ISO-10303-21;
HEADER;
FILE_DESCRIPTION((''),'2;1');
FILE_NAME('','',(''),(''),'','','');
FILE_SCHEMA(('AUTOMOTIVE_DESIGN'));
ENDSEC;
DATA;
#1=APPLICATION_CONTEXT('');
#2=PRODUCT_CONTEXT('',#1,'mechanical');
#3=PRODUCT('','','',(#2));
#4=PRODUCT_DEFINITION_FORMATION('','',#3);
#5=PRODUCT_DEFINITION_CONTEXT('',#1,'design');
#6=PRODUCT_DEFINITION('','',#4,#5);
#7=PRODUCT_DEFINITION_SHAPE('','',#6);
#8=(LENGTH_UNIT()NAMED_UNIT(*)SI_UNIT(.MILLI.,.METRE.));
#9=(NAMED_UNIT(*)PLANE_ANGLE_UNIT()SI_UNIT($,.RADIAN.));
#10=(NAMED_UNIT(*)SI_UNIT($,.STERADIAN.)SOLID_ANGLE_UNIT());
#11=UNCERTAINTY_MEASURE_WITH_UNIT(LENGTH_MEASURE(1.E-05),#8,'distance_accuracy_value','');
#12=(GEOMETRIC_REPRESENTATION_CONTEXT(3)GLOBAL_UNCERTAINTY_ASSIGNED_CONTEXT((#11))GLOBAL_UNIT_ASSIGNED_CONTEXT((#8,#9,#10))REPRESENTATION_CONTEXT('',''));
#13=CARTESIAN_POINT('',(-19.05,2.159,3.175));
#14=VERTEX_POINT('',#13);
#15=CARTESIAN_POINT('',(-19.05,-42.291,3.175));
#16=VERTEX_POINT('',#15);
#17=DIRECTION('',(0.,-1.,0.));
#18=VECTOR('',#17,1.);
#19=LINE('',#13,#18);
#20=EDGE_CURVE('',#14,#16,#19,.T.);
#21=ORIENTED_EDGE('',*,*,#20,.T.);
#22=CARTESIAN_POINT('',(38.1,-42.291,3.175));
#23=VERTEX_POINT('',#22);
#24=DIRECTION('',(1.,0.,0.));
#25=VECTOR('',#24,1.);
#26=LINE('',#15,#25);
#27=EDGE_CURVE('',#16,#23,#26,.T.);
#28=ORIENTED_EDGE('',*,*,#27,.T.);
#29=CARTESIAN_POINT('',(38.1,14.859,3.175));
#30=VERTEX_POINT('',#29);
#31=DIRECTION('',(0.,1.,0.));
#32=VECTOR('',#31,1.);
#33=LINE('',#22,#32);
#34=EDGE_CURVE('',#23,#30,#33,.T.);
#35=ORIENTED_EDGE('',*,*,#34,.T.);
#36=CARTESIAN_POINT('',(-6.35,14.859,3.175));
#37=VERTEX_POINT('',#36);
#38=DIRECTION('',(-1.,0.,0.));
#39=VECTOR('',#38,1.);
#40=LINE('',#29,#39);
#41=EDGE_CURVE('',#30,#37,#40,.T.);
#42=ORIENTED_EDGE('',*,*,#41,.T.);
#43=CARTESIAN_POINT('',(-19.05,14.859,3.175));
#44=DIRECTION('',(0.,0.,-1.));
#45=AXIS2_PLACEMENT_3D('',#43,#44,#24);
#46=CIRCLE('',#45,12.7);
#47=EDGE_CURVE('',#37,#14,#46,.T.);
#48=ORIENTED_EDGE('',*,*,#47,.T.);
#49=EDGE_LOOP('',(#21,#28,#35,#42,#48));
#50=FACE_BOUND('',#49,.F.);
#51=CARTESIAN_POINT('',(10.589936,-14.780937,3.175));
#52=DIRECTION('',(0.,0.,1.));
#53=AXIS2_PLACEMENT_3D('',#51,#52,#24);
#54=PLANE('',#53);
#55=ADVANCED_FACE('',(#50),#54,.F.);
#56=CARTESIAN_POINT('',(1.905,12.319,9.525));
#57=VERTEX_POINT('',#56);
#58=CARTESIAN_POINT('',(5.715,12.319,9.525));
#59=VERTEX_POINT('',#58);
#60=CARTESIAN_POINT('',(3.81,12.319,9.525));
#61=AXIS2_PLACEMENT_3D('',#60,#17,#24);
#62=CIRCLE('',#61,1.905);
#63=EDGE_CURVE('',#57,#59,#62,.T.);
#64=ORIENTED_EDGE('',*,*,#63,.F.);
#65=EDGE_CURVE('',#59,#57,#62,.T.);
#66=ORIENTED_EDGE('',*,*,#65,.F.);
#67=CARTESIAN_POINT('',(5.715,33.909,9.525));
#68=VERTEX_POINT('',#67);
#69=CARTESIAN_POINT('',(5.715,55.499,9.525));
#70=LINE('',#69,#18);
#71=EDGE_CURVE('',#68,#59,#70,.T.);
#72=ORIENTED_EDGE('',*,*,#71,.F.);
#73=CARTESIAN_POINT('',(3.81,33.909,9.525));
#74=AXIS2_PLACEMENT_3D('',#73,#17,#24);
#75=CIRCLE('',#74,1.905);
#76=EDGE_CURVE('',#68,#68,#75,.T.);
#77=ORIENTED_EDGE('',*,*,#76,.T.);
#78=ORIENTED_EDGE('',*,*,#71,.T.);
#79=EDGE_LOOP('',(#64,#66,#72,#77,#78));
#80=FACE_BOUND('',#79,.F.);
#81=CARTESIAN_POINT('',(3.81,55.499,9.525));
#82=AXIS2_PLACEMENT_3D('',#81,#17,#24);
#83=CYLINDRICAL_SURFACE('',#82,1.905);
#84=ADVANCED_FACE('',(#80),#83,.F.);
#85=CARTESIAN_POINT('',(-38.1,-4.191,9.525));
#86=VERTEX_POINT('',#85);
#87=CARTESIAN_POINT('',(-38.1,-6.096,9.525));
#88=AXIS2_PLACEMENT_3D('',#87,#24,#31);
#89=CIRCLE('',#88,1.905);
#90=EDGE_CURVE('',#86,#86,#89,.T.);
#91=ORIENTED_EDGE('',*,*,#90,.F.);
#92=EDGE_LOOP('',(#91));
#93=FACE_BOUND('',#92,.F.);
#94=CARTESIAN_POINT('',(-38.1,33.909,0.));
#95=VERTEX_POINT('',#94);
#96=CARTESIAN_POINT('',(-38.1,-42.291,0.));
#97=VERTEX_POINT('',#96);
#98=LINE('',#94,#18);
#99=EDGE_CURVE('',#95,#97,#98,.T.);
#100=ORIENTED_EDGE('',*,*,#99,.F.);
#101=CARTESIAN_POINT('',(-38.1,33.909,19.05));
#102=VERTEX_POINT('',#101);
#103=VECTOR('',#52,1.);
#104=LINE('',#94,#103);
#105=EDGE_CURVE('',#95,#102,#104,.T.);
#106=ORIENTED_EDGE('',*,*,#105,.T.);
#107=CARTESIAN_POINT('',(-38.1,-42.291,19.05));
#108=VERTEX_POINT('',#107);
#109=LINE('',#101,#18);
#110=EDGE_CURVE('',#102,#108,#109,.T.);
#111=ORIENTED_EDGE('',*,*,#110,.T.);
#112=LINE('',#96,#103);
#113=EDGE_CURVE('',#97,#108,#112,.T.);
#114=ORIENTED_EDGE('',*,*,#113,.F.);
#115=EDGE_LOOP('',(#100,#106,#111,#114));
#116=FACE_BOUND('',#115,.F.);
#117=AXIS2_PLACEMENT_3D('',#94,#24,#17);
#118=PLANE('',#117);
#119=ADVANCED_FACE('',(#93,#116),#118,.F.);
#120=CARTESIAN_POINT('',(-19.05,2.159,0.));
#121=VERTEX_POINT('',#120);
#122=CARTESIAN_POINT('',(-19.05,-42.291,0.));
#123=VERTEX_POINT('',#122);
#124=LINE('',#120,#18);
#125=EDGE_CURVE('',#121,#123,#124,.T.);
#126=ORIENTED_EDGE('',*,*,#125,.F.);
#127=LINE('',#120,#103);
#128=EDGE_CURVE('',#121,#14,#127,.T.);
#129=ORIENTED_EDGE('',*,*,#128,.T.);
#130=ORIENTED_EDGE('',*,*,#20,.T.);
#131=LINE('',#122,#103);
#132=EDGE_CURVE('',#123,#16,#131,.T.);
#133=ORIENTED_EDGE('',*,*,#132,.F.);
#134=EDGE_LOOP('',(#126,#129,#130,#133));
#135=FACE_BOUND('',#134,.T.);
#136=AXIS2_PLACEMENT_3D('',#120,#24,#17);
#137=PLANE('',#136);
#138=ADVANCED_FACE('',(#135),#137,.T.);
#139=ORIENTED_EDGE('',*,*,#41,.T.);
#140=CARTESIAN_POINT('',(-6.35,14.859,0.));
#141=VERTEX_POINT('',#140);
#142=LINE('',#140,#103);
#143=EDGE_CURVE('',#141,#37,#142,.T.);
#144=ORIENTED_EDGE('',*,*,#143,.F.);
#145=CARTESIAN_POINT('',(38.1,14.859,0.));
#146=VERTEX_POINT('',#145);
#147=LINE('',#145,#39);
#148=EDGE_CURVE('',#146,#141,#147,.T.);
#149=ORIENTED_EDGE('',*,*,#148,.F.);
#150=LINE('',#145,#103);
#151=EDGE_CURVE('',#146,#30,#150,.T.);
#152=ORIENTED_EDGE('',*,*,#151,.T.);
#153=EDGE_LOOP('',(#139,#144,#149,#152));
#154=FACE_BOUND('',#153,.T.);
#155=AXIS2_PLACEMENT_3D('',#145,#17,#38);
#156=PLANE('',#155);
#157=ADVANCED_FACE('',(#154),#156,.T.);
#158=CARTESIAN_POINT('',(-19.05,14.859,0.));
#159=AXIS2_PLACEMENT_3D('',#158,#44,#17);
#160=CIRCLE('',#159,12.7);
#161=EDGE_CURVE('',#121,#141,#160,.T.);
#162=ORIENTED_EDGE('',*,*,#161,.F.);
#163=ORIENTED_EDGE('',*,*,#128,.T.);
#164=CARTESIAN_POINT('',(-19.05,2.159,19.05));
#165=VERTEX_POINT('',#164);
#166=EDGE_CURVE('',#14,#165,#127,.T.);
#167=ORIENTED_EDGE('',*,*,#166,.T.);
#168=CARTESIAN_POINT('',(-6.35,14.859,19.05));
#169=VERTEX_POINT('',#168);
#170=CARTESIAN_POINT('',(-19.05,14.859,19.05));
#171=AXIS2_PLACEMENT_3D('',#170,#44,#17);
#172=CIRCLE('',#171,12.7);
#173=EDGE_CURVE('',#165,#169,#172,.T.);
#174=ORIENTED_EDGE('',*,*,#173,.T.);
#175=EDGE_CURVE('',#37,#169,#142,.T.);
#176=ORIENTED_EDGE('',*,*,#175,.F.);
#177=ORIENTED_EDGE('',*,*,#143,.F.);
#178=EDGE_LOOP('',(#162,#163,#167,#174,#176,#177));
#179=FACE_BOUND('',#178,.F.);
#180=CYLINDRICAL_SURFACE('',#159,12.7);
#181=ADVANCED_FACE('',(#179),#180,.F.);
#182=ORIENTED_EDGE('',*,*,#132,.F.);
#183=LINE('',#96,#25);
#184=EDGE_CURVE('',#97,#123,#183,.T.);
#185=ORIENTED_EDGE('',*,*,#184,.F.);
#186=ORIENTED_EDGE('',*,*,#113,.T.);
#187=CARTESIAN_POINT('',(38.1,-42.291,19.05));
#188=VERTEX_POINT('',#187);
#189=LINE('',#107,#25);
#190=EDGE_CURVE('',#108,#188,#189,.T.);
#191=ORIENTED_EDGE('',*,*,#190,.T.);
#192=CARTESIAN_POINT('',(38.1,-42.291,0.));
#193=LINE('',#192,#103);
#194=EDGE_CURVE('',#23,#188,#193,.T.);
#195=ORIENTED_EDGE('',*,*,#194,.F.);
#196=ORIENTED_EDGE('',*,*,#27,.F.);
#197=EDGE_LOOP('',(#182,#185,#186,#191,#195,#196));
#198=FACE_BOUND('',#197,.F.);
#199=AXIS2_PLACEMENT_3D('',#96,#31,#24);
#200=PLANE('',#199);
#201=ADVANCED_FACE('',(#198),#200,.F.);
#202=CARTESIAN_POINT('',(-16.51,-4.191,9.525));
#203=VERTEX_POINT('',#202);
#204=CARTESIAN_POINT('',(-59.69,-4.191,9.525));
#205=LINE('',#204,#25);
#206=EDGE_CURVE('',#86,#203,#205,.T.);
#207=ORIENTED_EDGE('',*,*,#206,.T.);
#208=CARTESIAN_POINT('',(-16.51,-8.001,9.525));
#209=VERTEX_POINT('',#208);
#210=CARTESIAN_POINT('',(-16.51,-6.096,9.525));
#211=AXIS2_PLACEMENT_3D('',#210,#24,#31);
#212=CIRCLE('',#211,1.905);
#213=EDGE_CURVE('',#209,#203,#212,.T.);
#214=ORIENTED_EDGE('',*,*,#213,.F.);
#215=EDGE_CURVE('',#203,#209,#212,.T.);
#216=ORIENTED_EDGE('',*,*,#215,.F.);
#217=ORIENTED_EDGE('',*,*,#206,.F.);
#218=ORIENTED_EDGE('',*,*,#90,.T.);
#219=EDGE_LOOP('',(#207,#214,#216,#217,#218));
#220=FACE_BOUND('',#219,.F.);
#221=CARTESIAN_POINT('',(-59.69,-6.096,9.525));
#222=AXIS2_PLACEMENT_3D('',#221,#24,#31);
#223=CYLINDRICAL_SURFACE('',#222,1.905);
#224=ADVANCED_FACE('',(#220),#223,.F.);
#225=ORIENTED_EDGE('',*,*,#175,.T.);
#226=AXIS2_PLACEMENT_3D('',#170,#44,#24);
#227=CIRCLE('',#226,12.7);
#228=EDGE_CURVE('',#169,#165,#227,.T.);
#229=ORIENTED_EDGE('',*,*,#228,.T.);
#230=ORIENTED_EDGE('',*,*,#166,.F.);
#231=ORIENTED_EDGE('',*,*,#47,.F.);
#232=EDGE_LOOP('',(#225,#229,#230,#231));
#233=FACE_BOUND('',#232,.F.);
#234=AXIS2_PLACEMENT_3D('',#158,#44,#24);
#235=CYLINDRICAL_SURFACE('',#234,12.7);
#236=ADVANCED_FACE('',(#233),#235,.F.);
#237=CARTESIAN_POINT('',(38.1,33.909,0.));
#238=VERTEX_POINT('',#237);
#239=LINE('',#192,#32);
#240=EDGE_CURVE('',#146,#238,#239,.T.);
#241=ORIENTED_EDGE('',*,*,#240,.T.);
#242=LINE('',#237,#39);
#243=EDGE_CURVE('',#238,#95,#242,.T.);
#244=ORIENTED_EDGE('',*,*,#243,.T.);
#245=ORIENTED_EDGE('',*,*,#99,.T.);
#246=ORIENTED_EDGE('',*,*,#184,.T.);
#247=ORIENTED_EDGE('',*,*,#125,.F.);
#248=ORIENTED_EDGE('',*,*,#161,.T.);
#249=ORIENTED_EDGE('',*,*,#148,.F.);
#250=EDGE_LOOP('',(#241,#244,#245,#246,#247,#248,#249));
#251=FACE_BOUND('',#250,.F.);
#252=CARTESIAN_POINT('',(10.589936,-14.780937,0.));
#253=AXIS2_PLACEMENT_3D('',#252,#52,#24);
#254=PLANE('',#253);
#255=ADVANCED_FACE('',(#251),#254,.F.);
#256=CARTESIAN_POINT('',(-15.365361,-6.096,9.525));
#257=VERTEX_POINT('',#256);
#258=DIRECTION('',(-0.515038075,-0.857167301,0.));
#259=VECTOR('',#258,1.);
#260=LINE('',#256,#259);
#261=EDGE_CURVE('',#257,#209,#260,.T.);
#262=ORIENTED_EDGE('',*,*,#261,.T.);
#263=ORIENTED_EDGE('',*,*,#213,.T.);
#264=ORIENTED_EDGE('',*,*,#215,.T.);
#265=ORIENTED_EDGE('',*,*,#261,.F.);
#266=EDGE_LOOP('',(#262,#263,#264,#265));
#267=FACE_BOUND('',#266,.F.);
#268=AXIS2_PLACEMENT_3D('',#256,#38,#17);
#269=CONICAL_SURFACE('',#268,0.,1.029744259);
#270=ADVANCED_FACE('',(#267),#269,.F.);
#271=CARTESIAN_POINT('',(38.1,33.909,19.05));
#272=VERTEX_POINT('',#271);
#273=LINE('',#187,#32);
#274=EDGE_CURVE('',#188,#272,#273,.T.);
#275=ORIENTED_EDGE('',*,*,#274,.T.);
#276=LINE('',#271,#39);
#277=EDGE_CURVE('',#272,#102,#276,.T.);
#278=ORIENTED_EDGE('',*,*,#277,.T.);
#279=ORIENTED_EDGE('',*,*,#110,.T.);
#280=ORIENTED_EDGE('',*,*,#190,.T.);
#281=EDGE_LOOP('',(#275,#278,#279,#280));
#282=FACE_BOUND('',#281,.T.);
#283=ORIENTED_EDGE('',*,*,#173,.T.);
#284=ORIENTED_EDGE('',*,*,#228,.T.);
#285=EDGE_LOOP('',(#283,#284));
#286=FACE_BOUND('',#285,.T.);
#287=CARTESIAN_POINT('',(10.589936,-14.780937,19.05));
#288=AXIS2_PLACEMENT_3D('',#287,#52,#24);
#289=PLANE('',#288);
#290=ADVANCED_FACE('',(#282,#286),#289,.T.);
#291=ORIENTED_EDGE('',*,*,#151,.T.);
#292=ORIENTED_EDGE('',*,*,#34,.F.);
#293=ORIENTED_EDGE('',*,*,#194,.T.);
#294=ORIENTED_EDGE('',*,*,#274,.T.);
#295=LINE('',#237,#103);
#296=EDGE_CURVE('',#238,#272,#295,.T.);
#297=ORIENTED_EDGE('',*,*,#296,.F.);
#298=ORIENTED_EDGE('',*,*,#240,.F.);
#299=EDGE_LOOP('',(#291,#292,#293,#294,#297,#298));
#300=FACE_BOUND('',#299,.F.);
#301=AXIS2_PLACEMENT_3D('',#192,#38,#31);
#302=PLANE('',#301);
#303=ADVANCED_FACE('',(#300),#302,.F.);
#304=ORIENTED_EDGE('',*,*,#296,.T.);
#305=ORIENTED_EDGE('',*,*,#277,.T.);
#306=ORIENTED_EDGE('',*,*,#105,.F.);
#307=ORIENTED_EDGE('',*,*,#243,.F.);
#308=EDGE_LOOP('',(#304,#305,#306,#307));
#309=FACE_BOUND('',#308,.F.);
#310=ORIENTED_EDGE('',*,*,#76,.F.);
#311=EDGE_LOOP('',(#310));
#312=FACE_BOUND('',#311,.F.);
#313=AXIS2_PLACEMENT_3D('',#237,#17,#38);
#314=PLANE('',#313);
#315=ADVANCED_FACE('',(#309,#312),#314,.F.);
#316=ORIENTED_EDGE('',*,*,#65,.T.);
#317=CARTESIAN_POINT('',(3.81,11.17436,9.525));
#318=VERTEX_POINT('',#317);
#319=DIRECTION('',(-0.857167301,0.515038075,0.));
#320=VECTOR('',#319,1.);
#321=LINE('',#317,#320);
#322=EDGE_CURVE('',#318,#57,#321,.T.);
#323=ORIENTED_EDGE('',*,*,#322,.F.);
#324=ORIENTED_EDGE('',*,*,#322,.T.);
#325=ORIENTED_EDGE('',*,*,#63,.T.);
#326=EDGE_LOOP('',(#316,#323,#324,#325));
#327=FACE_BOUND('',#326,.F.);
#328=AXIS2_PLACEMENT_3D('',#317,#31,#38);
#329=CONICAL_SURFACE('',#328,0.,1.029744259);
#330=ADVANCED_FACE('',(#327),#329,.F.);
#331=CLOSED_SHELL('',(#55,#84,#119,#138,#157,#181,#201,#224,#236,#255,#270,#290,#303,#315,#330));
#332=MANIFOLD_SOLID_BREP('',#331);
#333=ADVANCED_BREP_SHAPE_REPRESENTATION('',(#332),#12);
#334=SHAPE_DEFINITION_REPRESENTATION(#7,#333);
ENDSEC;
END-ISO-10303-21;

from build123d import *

# Parameters (mm, degrees)
F1_DEPTH = 19.05
F2_DEPTH = 3.175
F4_D     = 3.81
F4_DEPTH = 21.59
F4_TIP   = 1.1446394792
F6_D     = 3.81
F6_DEPTH = 21.59
F6_TIP   = 1.1446394792


with BuildPart() as f1:
    # F0 (on Top) → F1 (new body)
    with BuildSketch(Plane.XY):
        with BuildLine():
            Line((38.1, -42.2910004854), (38.1, 14.8589995146))
            Line((38.1, 14.8589995146), (-6.3500002354, 14.8589995146))
            ThreePointArc((-6.3500002354, 14.8589995146), (-10.0697441144, 5.8787433935), (-19.0500002354, 2.1589995146))
            Line((-19.0500002354, 2.1589995146), (-19.0500002354, -42.2910004854))
            Line((-19.0500002354, -42.2910004854), (38.1, -42.2910004854))
        make_face()
        with BuildLine():
            Line((38.1, 14.8589995146), (38.1, 33.9089995146))
            Line((38.1, 33.9089995146), (-38.1, 33.9089995146))
            Line((-38.1, 33.9089995146), (-38.1, -42.2910004854))
            Line((-38.1, -42.2910004854), (-19.0500002354, -42.2910004854))
            Line((-19.0500002354, -42.2910004854), (-19.0500002354, 2.1589995146))
            ThreePointArc((-19.0500002354, 2.1589995146), (-28.0302563565, 23.8392556356), (-6.3500002354, 14.8589995146))
            Line((-6.3500002354, 14.8589995146), (38.1, 14.8589995146))
        make_face()
    extrude(amount=F1_DEPTH)

    # F0 (on Top) → F2 (cut)
    with BuildSketch(Plane.XY):
        with BuildLine():
            Line((38.1, -42.2910004854), (38.1, 14.8589995146))
            Line((38.1, 14.8589995146), (-6.3500002354, 14.8589995146))
            ThreePointArc((-6.3500002354, 14.8589995146), (-10.0697441144, 5.8787433935), (-19.0500002354, 2.1589995146))
            Line((-19.0500002354, 2.1589995146), (-19.0500002354, -42.2910004854))
            Line((-19.0500002354, -42.2910004854), (38.1, -42.2910004854))
        make_face()
    extrude(amount=F2_DEPTH, mode=Mode.SUBTRACT)

    # F4
    with Locations(Plane(origin=(-38.1, 0, 0), x_dir=(0, -1, 0), z_dir=(-1, 0, 0))):
        with Locations((6.0960004854, 9.525)):
            Hole(F4_D / 2, depth=F4_DEPTH)
            with Locations((0, 0, -(F4_DEPTH + F4_TIP / 2))):  # 118° drill point
                Cone(0, F4_D / 2, F4_TIP, mode=Mode.SUBTRACT)

    # F6
    with Locations(Plane(origin=(0, 33.9089995146, 0), x_dir=(-1, 0, 0), z_dir=(0, 1, 0))):
        with Locations((-3.81, 9.525)):
            Hole(F6_D / 2, depth=F6_DEPTH)
            with Locations((0, 0, -(F6_DEPTH + F6_TIP / 2))):  # 118° drill point
                Cone(0, F6_D / 2, F6_TIP, mode=Mode.SUBTRACT)


solid = f1.part
